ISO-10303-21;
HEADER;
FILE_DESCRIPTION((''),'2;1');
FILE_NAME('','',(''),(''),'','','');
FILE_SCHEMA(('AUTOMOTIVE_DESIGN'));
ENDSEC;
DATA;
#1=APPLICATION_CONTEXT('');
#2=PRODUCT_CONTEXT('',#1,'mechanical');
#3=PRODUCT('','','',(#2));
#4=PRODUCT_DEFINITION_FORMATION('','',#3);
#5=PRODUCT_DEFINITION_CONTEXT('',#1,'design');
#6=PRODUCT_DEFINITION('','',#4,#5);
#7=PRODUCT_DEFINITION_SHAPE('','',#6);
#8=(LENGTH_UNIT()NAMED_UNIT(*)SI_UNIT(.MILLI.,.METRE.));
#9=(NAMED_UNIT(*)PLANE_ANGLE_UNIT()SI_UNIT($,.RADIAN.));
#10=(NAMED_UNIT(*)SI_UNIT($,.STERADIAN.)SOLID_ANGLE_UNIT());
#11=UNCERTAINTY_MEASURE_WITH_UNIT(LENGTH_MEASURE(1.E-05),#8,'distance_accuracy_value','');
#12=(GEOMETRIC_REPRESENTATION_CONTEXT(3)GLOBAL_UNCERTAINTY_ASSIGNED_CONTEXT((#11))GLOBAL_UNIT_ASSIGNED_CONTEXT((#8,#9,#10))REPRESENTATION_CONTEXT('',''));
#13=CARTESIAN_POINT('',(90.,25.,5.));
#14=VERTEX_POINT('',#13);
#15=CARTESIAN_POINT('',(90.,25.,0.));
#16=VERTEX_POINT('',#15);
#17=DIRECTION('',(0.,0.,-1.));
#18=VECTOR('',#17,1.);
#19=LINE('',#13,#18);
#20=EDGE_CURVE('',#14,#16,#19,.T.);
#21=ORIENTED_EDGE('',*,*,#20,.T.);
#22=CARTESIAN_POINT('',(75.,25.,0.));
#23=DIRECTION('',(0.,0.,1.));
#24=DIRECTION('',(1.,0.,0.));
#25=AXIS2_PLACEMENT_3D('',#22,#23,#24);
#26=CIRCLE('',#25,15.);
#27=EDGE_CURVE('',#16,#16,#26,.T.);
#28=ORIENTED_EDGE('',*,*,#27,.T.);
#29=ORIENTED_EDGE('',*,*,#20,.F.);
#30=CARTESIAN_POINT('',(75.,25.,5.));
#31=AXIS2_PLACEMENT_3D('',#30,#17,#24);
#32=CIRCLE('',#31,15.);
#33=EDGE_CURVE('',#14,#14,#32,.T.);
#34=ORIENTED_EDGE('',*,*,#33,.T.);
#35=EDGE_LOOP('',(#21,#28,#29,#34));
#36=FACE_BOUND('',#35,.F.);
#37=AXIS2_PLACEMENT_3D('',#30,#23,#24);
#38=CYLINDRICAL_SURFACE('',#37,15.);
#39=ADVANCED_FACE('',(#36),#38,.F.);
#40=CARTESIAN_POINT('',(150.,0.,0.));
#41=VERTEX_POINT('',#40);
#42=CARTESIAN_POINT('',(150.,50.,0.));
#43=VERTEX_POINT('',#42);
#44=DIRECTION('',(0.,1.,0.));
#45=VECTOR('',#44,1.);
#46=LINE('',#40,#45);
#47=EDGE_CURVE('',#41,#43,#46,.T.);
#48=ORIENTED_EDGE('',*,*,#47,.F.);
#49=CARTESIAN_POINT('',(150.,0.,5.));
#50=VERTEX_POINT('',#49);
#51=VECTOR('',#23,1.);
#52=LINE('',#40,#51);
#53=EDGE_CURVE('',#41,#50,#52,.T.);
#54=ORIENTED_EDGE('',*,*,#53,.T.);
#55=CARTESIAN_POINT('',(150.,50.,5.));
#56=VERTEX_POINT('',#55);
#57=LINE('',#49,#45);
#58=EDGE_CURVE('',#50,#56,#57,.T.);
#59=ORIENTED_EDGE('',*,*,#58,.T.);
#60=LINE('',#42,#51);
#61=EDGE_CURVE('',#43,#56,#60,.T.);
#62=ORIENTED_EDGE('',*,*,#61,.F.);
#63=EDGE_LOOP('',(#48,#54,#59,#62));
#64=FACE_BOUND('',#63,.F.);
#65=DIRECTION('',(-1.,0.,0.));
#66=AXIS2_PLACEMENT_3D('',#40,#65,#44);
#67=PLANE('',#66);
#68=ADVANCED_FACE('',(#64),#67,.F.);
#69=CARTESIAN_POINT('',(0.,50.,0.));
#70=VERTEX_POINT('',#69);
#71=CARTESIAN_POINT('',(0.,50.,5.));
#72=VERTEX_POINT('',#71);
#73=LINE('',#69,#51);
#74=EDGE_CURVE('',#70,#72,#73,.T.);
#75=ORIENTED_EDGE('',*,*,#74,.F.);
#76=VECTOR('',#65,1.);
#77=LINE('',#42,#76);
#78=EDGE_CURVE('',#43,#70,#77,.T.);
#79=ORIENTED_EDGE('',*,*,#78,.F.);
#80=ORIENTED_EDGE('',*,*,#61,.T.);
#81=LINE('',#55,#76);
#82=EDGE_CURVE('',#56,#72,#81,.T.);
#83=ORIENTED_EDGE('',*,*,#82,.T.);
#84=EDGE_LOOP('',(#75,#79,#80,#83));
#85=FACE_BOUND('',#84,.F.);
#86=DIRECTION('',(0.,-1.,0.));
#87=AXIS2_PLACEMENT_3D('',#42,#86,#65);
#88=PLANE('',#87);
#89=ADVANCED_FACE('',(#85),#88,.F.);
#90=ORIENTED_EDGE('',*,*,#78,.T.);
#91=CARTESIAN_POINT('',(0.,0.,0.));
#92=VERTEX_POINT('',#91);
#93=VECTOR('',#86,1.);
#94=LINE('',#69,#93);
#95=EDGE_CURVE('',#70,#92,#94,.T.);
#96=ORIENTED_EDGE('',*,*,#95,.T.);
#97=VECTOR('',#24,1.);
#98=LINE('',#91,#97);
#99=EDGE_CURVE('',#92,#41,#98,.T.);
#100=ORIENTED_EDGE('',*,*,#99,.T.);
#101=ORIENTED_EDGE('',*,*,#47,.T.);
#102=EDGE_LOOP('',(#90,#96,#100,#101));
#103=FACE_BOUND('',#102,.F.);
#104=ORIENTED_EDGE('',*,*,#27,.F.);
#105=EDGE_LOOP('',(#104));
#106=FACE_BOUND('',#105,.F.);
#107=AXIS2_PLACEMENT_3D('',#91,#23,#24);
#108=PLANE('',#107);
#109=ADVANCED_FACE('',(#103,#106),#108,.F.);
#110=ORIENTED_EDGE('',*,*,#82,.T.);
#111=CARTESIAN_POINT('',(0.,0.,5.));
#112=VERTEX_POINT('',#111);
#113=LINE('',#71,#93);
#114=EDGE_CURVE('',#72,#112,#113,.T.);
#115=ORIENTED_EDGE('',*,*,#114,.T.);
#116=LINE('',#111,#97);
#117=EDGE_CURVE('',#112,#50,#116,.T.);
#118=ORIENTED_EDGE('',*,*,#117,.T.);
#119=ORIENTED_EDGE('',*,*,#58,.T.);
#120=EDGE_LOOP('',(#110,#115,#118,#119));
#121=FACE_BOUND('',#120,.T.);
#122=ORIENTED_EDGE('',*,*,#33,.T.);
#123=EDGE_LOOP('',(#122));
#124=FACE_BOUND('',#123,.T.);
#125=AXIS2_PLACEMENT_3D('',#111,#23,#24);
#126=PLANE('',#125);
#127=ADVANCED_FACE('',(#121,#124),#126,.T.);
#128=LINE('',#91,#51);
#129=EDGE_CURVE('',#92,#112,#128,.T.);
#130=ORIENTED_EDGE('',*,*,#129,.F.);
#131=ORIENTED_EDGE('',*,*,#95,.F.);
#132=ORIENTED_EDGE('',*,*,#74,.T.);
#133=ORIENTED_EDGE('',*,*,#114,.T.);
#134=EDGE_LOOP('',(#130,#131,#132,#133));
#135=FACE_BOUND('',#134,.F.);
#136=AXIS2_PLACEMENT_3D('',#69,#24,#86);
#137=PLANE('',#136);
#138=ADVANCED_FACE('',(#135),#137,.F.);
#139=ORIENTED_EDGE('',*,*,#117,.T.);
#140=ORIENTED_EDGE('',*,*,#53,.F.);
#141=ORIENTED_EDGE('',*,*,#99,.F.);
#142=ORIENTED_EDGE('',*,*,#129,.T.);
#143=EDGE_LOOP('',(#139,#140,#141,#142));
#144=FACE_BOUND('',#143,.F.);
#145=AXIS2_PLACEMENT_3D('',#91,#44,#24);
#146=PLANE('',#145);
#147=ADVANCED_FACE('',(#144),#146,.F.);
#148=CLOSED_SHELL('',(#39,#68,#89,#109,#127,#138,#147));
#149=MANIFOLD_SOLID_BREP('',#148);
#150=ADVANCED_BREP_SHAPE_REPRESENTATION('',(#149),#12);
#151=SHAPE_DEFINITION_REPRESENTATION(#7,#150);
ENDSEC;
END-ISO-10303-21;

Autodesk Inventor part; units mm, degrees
ref_plane "YZ Plane" through (0, 0, 0) normal (1, 0, 0) x (0, 1, 0)
ref_plane "XZ Plane" through (0, 0, 0) normal (0, 1, 0) x (-1, 0, 0)
ref_plane "XY Plane" through (0, 0, 0) normal (0, 0, 1) x (1, 0, 0)
sketch "Sketch1" plane through (0, 0, 0) normal (0, 0, 1) x (1, 0, 0)
  point P0 (0, 0)
sketch "Sketch2" plane through (0, 0, 0) normal (0, 0, 1) x (1, 0, 0)
  line L0 (0, 0) -> (150, 0)
  line L1 (150, 0) -> (150, 50)
  line L2 (150, 50) -> (0, 50)
  line L3 (0, 50) -> (0, 0)
  dimension "d0" = 150
  dimension "d1" = 50
extrude "Extrusion1" add sketch "Sketch2" along normal blind 5
sketch "Sketch3" plane through (0, 0, 5) normal (0, 0, 1) x (1, 0, 0)
  line L0 (0, 0) -> (0, 25)
  line L1 (0, 50) -> (0, 0) projected
  arc A0 (20.6375, 23.8125) -> (0, 25) centre (0, -154.9228) ccw
  dimension "d4" = 25
sketch "Sketch4" plane through (0, 0, 5) normal (0, 0, 1) x (1, 0, 0)
  point P0 (0, 0)
sketch "Sketch5" plane through (0, 0, 5) normal (0, 0, 1) x (1, 0, 0)
  line L0 (0, 0) -> (150, 0) projected
  line L1 (150, 0) -> (150, 25)
  line L2 (150, 0) -> (150, 50) projected
  dimension "d5" = 25
sketch "Sketch6" plane through (0, 0, 5) normal (0, 0, 1) x (1, 0, 0)
  line L0 (150, 0) -> (150, 50) projected
  line L1 (150, 25) -> (90, 25)
  line L2 (90, 25) -> (60, 25)
  line L3 (60, 25) -> (0, 25)
  line L4 (0, 25) -> (75, 25)
  circle A0 centre (75, 25) radius 15
  point P0 (0, 0)
  dimension "d6" = 60
  dimension "d7" = 30
  dimension "d8" = 60
  dimension "d9" = 75
  dimension "d10" = 30
extrude "Extrusion2" cut sketch "Sketch6" against normal through all
properties part number "kj"
